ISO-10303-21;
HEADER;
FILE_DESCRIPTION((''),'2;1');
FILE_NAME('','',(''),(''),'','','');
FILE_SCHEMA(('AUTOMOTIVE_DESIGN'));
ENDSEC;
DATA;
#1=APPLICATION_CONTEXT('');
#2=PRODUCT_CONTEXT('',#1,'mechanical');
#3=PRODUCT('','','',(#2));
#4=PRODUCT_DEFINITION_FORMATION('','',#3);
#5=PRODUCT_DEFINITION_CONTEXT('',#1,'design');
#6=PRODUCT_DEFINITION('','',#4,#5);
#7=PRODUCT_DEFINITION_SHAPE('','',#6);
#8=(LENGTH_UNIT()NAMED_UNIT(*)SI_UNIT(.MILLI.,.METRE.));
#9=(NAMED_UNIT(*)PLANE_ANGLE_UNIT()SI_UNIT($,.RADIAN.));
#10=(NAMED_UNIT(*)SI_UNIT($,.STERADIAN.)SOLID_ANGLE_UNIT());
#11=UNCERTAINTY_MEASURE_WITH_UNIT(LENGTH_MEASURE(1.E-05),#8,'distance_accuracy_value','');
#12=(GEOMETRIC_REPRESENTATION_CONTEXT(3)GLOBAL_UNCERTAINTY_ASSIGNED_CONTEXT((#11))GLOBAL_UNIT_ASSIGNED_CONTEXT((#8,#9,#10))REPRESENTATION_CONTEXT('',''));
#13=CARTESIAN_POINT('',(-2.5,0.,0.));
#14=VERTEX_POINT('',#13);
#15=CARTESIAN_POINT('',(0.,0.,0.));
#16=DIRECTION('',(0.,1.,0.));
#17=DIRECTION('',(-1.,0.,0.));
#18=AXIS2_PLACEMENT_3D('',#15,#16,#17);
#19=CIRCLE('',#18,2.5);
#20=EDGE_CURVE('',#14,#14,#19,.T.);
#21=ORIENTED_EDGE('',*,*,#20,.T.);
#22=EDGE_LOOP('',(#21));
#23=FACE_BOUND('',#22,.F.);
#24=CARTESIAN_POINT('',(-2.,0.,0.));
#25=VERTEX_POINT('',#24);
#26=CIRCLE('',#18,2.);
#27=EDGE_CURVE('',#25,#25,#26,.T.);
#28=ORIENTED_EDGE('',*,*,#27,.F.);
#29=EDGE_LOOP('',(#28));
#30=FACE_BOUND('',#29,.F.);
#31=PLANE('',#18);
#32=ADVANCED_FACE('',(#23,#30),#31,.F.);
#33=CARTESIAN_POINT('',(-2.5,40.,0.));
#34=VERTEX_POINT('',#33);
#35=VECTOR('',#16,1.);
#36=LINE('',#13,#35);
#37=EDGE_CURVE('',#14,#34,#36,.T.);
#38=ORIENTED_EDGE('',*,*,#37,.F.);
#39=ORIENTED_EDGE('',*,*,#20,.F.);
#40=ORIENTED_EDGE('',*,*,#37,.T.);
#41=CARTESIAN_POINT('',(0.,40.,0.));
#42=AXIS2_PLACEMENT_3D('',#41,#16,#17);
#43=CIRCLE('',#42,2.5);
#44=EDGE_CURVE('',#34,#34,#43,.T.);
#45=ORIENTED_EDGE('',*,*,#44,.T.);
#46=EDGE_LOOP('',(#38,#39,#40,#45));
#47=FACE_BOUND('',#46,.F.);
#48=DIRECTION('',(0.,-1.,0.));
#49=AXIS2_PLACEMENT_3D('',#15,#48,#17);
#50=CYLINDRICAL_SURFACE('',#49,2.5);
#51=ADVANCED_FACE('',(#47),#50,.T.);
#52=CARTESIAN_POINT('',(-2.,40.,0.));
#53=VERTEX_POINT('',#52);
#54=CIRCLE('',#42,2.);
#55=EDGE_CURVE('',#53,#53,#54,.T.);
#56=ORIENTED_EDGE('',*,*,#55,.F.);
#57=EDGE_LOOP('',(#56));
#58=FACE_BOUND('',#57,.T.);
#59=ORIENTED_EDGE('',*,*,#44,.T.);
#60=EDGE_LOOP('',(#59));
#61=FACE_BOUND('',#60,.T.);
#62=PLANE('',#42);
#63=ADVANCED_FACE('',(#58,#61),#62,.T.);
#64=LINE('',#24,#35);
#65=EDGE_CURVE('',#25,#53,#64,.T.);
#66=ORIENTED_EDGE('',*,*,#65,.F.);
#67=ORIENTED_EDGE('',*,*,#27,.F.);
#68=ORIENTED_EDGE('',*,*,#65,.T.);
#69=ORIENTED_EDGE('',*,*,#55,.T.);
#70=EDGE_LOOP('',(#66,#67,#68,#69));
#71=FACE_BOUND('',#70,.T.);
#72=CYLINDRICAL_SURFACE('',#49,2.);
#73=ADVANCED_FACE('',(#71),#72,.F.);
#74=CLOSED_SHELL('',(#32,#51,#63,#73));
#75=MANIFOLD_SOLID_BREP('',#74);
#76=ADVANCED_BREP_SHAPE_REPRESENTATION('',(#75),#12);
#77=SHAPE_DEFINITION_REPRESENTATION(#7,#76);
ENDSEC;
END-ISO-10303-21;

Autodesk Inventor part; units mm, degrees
ref_plane "YZ Plane" through (0, 0, 0) normal (1, 0, 0) x (0, 1, 0)
ref_plane "XZ Plane" through (0, 0, 0) normal (0, 1, 0) x (-1, 0, 0)
ref_plane "XY Plane" through (0, 0, 0) normal (0, 0, 1) x (1, 0, 0)
sketch "Sketch1" plane through (0, 0, 0) normal (0, 1, 0) x (-1, 0, 0)
  circle A0 centre (0, 0) radius 2
  circle A1 centre (0, 0) radius 2.5
  dimension "d0" = 4
  dimension "d1" = 5
extrude "Extrusion1" add sketch "Sketch1" along normal blind 40
properties part number "Bolt Cover" material "Steel"
